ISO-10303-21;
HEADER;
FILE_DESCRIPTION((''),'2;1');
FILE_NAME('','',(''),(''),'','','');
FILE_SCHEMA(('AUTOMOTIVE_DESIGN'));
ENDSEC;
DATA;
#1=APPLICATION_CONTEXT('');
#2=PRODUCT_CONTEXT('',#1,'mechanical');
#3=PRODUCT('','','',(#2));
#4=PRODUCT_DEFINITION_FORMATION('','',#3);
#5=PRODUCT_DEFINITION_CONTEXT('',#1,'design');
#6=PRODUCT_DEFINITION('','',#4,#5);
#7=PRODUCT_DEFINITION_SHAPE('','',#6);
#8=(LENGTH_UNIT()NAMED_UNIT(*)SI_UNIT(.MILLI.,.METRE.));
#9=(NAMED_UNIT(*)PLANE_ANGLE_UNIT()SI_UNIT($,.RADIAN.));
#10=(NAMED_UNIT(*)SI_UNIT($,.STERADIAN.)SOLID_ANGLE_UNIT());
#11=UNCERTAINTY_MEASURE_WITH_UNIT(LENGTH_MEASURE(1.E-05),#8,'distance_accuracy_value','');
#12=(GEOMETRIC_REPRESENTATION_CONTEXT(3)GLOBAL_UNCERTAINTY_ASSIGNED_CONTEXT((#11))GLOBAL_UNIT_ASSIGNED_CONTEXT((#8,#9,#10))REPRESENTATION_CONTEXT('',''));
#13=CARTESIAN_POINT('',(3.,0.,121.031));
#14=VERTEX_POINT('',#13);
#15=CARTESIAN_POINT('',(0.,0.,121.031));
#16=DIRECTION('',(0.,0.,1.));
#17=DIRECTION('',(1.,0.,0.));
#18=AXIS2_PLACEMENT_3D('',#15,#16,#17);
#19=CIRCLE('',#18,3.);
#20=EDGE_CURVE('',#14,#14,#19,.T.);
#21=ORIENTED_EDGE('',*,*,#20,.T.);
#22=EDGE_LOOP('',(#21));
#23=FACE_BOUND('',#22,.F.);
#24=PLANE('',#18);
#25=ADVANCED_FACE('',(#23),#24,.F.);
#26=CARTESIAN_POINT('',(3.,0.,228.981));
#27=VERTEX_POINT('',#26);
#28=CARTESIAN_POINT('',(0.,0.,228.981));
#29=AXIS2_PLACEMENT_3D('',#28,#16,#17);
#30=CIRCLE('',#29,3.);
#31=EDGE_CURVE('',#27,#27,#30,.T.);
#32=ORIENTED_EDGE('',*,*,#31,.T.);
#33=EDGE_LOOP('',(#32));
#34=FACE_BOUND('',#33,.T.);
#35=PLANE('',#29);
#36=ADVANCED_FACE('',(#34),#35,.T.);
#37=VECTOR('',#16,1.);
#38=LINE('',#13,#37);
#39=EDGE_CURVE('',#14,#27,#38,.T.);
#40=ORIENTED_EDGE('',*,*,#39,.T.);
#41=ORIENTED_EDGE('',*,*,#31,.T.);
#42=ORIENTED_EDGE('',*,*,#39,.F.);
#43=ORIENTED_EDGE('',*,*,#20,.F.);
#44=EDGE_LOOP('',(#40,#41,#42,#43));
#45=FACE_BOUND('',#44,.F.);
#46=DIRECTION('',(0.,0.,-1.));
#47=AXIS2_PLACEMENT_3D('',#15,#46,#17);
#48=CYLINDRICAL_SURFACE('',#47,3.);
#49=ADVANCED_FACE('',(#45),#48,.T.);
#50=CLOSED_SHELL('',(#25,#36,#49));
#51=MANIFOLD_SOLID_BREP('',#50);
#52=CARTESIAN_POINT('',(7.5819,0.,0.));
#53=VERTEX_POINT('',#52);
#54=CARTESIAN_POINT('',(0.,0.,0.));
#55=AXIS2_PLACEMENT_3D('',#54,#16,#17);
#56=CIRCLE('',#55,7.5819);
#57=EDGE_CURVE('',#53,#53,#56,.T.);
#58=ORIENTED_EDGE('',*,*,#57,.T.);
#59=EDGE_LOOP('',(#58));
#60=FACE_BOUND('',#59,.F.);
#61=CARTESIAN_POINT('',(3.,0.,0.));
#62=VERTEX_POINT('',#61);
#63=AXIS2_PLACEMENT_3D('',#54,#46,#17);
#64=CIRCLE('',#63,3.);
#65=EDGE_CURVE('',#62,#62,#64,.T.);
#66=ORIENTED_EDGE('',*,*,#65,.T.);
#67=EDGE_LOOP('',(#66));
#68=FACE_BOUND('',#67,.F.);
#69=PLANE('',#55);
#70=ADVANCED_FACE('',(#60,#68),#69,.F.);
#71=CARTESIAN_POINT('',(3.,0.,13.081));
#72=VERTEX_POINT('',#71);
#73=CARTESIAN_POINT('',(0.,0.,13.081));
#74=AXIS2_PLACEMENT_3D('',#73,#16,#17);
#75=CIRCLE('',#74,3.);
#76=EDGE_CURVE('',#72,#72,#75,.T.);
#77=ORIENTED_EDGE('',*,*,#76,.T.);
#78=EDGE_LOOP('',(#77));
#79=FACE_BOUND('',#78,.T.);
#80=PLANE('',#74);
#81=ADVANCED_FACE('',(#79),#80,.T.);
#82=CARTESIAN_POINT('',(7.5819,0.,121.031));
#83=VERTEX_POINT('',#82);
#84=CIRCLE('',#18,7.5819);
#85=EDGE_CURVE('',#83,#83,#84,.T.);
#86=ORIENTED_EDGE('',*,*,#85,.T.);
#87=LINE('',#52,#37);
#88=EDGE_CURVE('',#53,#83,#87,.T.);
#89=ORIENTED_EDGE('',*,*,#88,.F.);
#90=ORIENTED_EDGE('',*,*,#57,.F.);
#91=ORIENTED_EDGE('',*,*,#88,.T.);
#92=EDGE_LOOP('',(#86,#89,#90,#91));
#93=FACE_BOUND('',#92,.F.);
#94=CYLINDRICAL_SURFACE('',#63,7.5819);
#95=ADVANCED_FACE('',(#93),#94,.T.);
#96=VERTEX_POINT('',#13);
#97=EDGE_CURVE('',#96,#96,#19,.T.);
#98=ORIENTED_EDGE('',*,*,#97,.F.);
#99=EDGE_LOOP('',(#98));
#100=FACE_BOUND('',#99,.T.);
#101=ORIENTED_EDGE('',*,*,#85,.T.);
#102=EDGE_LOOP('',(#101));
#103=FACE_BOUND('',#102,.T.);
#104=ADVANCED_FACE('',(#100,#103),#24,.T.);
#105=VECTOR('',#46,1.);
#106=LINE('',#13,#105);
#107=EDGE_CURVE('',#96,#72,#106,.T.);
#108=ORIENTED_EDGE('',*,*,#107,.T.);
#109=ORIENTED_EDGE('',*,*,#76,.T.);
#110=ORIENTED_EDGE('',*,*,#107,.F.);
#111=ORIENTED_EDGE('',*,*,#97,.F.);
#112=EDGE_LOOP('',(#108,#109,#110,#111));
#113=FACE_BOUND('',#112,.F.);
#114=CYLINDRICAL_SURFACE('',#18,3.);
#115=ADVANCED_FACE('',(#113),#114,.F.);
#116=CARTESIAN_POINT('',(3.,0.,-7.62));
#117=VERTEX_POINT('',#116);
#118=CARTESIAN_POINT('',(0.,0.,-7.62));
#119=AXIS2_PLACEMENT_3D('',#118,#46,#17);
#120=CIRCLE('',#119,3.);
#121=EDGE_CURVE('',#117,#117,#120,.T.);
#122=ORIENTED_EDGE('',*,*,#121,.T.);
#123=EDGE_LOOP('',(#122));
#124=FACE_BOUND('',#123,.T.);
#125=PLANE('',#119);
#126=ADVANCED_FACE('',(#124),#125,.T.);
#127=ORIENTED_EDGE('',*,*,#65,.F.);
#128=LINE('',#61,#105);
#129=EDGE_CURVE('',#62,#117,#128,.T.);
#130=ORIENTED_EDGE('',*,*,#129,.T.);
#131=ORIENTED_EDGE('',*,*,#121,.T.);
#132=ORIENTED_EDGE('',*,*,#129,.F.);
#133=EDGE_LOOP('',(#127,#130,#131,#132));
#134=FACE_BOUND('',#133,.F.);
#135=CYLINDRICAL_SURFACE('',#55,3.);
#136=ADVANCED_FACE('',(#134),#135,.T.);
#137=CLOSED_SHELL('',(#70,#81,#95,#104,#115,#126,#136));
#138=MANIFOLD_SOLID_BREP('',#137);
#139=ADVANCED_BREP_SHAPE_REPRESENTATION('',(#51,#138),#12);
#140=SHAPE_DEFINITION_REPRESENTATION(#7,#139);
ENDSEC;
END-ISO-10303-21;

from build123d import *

# Parameters (mm, degrees)
F0_R     = 7.5819
F1_DEPTH = 121.031
F2_R     = 3
F3_DEPTH = 7.62
F4_R     = 3
F5_DEPTH = 107.95
F6_DEPTH = 107.95


with BuildPart() as f1:
    # F0 (on Top) → F1 (new body)
    with BuildSketch(Plane.XY):
        Circle(F0_R)
    extrude(amount=F1_DEPTH)

    # F2 (on face) → F3 (join)
    with BuildSketch(Plane(origin=(0, 0, 0), x_dir=(1, 0, 0), z_dir=(0, 0, -1))):
        Circle(F2_R)
    extrude(amount=F3_DEPTH)

    # F4 (on face) → F5 (cut)
    with BuildSketch(Plane.XY.offset(121.031)):
        Circle(F4_R)
    extrude(amount=-F5_DEPTH, mode=Mode.SUBTRACT)


with BuildPart() as f6:
    # F4 (on face) → F6 (new body)
    with BuildSketch(Plane.XY.offset(121.031)):
        Circle(F4_R)
    extrude(amount=F6_DEPTH)


solid = Compound([f1.part, f6.part])
